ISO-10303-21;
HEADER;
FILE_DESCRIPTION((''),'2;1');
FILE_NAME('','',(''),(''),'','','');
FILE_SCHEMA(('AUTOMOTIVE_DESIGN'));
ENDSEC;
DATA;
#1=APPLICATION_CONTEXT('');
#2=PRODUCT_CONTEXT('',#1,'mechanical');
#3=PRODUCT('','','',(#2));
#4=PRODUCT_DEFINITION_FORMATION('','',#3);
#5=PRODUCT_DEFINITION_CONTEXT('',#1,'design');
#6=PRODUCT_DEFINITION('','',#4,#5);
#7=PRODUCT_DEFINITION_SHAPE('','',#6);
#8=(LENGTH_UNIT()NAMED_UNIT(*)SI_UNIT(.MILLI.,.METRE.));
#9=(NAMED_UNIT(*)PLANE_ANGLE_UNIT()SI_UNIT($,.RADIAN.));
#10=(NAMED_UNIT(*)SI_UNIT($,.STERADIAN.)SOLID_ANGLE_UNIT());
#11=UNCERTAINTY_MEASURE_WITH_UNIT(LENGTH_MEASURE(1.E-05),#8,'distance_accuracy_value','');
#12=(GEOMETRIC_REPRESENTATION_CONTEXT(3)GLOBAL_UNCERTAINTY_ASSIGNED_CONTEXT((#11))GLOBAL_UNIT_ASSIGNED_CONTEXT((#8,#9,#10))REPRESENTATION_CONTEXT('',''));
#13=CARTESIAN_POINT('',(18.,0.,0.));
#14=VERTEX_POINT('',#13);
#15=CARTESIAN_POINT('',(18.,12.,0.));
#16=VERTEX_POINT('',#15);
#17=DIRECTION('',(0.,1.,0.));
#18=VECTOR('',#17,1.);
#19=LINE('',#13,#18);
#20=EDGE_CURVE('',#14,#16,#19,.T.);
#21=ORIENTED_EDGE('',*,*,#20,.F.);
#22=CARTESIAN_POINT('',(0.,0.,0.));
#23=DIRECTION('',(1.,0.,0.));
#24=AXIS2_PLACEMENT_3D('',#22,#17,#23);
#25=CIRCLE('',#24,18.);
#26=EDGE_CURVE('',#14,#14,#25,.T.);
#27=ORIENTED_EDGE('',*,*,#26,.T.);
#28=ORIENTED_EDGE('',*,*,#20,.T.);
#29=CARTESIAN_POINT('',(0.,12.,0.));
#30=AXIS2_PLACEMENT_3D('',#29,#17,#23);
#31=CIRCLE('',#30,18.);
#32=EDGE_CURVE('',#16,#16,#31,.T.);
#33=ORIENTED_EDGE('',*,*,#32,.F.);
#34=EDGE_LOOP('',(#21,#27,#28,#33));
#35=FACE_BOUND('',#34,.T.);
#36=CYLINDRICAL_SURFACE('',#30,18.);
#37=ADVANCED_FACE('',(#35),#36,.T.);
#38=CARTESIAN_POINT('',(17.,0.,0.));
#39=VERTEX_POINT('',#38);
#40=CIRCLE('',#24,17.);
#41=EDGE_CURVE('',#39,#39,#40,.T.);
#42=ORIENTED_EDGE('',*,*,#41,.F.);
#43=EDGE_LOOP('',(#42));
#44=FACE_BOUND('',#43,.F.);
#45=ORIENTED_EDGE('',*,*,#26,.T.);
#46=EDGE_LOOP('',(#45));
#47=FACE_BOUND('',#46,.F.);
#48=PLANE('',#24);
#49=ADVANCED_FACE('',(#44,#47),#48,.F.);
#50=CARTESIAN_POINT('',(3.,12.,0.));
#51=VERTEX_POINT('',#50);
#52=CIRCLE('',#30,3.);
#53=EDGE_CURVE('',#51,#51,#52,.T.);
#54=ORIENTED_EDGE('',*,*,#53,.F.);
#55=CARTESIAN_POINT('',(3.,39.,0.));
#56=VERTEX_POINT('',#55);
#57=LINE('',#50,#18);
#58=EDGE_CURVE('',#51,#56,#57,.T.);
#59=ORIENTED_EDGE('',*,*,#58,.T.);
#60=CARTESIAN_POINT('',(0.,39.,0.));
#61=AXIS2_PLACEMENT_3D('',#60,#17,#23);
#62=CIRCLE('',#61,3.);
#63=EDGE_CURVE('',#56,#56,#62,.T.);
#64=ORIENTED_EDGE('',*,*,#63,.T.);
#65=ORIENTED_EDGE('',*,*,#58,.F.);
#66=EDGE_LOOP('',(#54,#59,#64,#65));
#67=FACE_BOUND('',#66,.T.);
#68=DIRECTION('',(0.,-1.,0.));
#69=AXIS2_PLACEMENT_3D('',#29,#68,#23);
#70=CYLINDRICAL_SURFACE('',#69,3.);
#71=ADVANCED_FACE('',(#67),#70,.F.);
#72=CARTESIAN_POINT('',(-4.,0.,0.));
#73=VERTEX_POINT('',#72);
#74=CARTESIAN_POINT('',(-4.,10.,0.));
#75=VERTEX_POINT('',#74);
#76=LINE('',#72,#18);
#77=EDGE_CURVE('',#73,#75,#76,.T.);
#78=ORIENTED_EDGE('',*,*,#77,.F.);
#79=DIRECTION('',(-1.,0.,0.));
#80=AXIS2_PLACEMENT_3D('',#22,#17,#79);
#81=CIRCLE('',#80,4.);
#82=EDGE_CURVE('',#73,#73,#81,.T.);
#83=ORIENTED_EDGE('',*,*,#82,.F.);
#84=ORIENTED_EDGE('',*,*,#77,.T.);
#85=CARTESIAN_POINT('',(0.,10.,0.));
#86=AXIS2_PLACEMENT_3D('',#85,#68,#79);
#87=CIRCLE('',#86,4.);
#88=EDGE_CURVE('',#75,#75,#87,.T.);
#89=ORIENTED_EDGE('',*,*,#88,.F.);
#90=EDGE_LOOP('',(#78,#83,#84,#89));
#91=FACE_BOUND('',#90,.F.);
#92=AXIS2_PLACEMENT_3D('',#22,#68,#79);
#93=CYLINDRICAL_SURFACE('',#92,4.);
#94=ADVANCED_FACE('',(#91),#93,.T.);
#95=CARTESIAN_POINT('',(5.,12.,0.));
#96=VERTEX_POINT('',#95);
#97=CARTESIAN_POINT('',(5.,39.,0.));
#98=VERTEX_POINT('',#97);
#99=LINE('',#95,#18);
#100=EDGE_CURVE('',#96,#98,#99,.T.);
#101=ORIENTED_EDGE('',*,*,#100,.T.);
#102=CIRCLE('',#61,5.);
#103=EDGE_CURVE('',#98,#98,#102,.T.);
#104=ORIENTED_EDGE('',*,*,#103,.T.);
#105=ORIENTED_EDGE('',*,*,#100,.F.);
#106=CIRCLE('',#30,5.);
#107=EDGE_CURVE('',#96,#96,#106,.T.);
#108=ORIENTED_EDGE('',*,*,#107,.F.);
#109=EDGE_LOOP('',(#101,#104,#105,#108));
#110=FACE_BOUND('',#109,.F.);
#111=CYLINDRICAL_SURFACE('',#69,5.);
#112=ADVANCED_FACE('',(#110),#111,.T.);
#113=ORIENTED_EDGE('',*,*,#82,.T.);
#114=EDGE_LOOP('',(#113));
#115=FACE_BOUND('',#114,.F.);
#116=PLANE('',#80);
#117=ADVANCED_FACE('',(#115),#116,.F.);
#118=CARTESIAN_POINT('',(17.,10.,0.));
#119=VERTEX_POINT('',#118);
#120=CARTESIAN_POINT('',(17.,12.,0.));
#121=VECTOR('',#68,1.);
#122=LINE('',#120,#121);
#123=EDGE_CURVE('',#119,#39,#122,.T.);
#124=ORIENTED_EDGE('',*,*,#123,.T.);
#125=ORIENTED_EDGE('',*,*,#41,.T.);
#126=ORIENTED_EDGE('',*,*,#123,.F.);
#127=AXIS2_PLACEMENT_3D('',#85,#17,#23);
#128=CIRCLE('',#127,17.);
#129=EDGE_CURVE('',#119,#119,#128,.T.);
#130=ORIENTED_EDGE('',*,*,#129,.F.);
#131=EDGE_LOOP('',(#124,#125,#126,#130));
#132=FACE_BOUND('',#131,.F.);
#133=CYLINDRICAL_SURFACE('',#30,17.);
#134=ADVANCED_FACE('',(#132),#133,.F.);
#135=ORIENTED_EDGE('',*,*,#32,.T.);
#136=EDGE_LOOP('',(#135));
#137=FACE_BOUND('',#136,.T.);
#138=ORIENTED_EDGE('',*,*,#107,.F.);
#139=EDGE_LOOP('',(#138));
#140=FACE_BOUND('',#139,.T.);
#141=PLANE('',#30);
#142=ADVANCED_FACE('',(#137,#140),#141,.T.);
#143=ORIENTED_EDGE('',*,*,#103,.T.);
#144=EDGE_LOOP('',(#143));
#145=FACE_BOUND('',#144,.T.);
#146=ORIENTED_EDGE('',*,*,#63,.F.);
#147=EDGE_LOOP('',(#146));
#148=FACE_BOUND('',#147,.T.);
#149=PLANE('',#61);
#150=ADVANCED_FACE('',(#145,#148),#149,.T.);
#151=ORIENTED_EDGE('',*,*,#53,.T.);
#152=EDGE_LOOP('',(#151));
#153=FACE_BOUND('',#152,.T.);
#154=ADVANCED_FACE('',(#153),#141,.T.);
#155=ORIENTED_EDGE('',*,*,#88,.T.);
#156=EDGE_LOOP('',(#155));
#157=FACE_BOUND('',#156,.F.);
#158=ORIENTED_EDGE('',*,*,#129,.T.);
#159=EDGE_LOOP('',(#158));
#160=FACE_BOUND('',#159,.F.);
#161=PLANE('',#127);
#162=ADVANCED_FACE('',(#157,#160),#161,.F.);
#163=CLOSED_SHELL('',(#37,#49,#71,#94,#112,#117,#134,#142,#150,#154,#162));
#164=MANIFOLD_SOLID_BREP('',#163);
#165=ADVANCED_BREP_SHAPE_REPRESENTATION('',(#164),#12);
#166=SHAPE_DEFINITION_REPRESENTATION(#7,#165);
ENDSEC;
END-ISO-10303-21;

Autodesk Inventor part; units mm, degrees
ref_plane "YZ Plane" through (0, 0, 0) normal (1, 0, 0) x (0, 1, 0)
ref_plane "XZ Plane" through (0, 0, 0) normal (0, 1, 0) x (-1, 0, 0)
ref_plane "XY Plane" through (0, 0, 0) normal (0, 0, 1) x (1, 0, 0)
sketch "Sketch1" plane through (0, 0, 0) normal (0, 1, 0) x (-1, 0, 0)
  circle A0 centre (0, 0) radius 4
  dimension "d0" = 8
extrude "Extrusion1" add sketch "Sketch1" along normal blind 12
sketch "Sketch2" plane through (0, 12, 0) normal (0, 1, 0) x (1, 0, 0)
  circle A0 centre (0, 0) radius 17
  circle A1 centre (0, 0) radius 4 projected
  circle A2 centre (0, 0) radius 18
  dimension "d3" = 34
  dimension "d4" = 36
extrude "Extrusion2" add sketch "Sketch2" against normal blind 12 contours A2
sketch "Sketch4" plane through (0, 12, 0) normal (0, 1, 0) x (1, 0, 0)
  circle A0 centre (0, 0) radius 18
extrude "Extrusion3" add sketch "Sketch4" against normal blind 2
sketch "Sketch7" plane through (0, 12, 0) normal (0, 1, 0) x (1, 0, 0)
  circle A0 centre (0, 0) radius 5
  circle A1 centre (0, 0) radius 3
  dimension "d15" = 10
  dimension "d16" = 6
extrude "Extrusion6" add sketch "Sketch7" along normal blind 27
properties part number "kumandadış"
